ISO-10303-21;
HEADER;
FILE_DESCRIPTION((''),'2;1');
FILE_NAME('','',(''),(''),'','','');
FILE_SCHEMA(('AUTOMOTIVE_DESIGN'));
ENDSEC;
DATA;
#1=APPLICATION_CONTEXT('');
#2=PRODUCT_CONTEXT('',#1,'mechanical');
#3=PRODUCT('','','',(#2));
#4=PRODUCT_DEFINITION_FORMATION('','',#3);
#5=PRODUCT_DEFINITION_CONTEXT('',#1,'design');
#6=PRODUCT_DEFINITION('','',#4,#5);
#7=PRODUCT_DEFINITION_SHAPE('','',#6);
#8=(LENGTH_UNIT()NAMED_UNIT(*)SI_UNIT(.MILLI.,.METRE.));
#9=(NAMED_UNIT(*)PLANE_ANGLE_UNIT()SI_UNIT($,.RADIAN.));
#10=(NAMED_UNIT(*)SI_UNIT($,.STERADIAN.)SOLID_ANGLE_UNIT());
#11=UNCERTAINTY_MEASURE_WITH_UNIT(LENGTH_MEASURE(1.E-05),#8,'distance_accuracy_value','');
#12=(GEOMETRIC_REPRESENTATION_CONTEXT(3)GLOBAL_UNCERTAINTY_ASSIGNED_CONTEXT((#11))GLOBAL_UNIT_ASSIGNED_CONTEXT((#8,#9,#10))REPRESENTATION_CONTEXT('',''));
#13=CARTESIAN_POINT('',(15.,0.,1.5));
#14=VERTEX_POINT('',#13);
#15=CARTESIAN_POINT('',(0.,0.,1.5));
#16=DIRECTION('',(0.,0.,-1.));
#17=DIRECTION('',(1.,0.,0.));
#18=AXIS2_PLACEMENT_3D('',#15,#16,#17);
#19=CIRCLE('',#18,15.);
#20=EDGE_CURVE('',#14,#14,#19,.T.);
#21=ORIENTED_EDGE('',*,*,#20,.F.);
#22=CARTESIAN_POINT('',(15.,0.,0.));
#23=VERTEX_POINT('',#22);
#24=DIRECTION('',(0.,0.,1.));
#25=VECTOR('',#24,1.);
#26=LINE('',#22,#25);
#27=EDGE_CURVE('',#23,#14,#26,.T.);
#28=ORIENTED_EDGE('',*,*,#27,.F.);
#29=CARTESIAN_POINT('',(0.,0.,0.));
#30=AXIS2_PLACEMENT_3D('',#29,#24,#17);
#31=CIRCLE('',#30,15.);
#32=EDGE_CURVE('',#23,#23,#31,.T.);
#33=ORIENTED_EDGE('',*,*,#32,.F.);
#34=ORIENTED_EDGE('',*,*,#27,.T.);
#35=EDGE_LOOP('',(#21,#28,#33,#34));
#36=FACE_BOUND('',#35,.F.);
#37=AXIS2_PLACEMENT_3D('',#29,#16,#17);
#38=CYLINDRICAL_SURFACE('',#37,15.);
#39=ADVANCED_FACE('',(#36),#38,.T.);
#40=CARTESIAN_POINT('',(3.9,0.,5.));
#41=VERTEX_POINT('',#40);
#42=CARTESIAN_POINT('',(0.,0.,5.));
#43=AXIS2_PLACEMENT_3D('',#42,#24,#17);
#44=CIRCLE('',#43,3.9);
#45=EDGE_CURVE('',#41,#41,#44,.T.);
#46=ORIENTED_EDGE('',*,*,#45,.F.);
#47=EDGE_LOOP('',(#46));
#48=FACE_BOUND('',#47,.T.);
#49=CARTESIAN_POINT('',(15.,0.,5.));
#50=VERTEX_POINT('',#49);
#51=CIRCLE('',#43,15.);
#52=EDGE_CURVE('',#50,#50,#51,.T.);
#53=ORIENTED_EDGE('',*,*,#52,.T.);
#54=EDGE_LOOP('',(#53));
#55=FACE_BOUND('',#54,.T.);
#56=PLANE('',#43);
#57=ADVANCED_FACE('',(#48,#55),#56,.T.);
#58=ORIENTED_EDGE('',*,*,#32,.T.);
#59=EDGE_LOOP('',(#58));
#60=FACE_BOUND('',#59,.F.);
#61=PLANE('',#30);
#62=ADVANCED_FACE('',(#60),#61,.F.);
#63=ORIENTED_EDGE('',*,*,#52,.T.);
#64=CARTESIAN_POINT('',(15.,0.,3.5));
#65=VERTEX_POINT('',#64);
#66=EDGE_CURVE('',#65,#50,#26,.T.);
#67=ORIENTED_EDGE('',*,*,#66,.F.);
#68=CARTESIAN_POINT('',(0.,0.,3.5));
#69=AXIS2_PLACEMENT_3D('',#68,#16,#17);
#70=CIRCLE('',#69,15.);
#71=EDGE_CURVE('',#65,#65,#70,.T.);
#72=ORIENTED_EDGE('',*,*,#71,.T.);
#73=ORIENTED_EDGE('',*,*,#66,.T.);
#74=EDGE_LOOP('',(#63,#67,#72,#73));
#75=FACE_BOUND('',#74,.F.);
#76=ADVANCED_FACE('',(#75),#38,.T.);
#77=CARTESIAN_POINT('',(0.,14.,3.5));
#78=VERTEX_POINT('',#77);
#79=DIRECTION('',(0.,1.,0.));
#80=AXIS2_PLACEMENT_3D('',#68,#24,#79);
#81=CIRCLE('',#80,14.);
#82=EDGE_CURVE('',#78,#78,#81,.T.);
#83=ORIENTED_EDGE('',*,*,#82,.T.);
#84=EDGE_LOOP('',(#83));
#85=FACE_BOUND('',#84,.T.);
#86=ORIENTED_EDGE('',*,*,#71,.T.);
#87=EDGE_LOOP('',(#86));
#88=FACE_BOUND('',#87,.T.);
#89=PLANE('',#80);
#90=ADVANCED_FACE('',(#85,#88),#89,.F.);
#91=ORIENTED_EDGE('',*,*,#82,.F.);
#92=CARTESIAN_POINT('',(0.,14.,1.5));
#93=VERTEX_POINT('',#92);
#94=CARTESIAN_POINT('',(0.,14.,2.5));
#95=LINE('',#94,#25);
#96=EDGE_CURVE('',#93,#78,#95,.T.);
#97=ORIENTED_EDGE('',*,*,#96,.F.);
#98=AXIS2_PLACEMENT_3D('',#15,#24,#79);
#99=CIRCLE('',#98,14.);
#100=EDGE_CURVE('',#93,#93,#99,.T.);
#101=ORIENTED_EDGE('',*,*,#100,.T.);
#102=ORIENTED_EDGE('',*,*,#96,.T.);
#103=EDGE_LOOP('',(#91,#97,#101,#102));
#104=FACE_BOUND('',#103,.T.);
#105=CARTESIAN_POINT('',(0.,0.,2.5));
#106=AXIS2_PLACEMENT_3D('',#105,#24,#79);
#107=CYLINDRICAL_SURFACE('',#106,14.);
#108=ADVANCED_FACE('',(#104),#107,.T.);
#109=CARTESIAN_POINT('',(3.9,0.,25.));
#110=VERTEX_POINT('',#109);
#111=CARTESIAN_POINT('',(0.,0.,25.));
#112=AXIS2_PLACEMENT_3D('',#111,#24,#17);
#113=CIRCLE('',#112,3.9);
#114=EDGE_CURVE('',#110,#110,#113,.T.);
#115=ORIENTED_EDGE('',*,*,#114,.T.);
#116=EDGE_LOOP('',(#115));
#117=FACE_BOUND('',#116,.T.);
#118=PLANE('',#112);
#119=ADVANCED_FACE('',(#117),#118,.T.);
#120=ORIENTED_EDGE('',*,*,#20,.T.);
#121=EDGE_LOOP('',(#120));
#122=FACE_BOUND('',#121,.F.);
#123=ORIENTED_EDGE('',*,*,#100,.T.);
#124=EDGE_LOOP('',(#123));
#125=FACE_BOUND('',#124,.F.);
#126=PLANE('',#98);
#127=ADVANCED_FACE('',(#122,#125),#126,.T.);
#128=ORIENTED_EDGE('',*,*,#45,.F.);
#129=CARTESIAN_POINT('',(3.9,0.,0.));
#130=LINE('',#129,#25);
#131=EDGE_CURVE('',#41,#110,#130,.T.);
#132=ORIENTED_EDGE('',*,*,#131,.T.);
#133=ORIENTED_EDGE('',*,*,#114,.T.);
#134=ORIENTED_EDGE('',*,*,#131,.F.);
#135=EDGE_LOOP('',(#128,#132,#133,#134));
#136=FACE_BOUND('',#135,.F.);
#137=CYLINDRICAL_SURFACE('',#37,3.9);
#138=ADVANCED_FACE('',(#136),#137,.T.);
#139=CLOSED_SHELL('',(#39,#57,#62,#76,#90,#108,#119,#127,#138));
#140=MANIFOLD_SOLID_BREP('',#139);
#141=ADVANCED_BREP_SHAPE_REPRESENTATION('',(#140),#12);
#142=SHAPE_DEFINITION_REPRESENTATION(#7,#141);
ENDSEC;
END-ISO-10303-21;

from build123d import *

# Parameters (mm, degrees)
F0_R     = 3.9
F1_DEPTH = 25
F0_R_2   = 15
F2_DEPTH = 5
F3_W     = 2
F3_H     = 2


with BuildPart() as f1:
    # F0 (on Top) → F1 (new body)
    with BuildSketch(Plane.XY):
        Circle(F0_R)
    extrude(amount=F1_DEPTH)

    # F0 (on Top) → F2 (join)
    with BuildSketch(Plane.XY):
        Circle(F0_R_2)
        Circle(F0_R, mode=Mode.SUBTRACT)
    extrude(amount=F2_DEPTH)

    # F3 (on Right) → F4 (revolve, cut)
    with BuildSketch(Plane.YZ):
        with Locations((15, 2.5)):
            Rectangle(F3_W, F3_H)
    revolve(axis=Axis((0, 0, 5), (0, 0, 1)), mode=Mode.SUBTRACT)


solid = f1.part
